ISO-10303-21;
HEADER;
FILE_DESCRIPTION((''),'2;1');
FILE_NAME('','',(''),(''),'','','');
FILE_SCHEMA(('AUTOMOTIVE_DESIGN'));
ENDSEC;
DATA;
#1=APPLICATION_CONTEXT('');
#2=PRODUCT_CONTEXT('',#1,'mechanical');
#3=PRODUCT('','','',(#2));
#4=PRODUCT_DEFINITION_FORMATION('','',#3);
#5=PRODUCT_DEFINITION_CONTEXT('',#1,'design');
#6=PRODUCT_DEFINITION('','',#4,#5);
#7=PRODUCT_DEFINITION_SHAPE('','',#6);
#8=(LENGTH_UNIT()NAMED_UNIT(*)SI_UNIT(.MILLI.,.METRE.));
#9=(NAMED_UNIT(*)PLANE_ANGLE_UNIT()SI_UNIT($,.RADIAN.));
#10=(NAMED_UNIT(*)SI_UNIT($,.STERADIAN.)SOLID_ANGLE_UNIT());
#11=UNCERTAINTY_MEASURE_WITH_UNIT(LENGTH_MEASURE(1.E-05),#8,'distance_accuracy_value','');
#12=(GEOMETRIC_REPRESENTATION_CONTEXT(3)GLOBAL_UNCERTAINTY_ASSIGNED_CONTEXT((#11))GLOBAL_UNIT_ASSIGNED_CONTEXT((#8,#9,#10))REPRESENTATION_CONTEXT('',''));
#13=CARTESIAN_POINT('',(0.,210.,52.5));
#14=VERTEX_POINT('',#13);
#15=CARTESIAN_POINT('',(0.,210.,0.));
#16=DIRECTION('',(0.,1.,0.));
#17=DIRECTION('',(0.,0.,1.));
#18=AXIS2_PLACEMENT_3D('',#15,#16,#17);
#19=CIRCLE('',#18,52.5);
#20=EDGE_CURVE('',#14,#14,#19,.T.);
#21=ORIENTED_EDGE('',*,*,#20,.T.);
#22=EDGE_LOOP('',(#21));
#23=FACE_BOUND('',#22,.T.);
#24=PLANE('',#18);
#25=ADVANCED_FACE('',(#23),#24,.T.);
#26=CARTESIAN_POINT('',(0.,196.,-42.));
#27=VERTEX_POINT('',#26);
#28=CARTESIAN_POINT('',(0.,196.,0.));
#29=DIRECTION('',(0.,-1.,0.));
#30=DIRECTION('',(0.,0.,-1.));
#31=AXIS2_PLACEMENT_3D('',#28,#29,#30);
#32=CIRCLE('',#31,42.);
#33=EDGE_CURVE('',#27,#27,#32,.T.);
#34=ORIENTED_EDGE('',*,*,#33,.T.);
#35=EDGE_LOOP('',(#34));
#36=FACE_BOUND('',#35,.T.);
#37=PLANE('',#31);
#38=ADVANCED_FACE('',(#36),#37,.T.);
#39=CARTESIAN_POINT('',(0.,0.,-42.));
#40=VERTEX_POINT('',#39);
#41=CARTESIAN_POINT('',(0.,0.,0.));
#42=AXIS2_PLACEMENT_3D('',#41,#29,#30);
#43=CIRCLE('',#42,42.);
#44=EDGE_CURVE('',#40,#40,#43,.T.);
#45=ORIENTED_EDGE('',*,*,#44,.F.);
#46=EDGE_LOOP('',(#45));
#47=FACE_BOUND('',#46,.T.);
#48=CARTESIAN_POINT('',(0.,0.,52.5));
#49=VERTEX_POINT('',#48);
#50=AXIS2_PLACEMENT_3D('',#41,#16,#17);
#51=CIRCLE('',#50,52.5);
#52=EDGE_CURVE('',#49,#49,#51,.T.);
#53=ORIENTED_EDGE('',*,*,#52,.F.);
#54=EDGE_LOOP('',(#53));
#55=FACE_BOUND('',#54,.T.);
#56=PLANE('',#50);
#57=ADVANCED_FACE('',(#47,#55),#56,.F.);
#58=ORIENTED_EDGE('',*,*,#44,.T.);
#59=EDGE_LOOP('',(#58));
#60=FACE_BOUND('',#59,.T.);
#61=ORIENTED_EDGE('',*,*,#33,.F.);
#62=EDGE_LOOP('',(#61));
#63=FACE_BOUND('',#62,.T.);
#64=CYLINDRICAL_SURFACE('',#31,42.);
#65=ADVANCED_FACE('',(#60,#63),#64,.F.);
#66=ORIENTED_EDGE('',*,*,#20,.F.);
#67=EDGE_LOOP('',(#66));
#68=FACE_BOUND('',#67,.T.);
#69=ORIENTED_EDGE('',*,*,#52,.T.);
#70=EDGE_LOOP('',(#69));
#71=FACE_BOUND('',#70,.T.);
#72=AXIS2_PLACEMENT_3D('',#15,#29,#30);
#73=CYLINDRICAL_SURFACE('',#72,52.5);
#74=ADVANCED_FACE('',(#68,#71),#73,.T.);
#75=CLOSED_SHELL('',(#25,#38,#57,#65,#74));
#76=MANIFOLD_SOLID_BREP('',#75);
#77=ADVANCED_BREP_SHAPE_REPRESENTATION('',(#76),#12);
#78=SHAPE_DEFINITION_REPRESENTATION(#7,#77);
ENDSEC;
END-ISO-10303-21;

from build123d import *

# Parameters (mm, degrees)
CROQUIS1_R              = 52.5
SALIENTE_EXTRUIR1_DEPTH = 210
CROQUIS2_R              = 42
CORTAR_EXTRUIR1_DEPTH   = 196


with BuildPart() as part:
    # Croquis1 → Saliente-Extruir1 (new body)
    with BuildSketch(Plane(origin=(0, 0, 0), x_dir=(1, 0, 0), z_dir=(0, 1, 0))):
        Circle(CROQUIS1_R)
    extrude(amount=SALIENTE_EXTRUIR1_DEPTH)

    # Croquis2 → Cortar-Extruir1 (cut)
    with BuildSketch(Plane.XZ):
        Circle(CROQUIS2_R)
    extrude(amount=-CORTAR_EXTRUIR1_DEPTH, mode=Mode.SUBTRACT)


solid = part.part
